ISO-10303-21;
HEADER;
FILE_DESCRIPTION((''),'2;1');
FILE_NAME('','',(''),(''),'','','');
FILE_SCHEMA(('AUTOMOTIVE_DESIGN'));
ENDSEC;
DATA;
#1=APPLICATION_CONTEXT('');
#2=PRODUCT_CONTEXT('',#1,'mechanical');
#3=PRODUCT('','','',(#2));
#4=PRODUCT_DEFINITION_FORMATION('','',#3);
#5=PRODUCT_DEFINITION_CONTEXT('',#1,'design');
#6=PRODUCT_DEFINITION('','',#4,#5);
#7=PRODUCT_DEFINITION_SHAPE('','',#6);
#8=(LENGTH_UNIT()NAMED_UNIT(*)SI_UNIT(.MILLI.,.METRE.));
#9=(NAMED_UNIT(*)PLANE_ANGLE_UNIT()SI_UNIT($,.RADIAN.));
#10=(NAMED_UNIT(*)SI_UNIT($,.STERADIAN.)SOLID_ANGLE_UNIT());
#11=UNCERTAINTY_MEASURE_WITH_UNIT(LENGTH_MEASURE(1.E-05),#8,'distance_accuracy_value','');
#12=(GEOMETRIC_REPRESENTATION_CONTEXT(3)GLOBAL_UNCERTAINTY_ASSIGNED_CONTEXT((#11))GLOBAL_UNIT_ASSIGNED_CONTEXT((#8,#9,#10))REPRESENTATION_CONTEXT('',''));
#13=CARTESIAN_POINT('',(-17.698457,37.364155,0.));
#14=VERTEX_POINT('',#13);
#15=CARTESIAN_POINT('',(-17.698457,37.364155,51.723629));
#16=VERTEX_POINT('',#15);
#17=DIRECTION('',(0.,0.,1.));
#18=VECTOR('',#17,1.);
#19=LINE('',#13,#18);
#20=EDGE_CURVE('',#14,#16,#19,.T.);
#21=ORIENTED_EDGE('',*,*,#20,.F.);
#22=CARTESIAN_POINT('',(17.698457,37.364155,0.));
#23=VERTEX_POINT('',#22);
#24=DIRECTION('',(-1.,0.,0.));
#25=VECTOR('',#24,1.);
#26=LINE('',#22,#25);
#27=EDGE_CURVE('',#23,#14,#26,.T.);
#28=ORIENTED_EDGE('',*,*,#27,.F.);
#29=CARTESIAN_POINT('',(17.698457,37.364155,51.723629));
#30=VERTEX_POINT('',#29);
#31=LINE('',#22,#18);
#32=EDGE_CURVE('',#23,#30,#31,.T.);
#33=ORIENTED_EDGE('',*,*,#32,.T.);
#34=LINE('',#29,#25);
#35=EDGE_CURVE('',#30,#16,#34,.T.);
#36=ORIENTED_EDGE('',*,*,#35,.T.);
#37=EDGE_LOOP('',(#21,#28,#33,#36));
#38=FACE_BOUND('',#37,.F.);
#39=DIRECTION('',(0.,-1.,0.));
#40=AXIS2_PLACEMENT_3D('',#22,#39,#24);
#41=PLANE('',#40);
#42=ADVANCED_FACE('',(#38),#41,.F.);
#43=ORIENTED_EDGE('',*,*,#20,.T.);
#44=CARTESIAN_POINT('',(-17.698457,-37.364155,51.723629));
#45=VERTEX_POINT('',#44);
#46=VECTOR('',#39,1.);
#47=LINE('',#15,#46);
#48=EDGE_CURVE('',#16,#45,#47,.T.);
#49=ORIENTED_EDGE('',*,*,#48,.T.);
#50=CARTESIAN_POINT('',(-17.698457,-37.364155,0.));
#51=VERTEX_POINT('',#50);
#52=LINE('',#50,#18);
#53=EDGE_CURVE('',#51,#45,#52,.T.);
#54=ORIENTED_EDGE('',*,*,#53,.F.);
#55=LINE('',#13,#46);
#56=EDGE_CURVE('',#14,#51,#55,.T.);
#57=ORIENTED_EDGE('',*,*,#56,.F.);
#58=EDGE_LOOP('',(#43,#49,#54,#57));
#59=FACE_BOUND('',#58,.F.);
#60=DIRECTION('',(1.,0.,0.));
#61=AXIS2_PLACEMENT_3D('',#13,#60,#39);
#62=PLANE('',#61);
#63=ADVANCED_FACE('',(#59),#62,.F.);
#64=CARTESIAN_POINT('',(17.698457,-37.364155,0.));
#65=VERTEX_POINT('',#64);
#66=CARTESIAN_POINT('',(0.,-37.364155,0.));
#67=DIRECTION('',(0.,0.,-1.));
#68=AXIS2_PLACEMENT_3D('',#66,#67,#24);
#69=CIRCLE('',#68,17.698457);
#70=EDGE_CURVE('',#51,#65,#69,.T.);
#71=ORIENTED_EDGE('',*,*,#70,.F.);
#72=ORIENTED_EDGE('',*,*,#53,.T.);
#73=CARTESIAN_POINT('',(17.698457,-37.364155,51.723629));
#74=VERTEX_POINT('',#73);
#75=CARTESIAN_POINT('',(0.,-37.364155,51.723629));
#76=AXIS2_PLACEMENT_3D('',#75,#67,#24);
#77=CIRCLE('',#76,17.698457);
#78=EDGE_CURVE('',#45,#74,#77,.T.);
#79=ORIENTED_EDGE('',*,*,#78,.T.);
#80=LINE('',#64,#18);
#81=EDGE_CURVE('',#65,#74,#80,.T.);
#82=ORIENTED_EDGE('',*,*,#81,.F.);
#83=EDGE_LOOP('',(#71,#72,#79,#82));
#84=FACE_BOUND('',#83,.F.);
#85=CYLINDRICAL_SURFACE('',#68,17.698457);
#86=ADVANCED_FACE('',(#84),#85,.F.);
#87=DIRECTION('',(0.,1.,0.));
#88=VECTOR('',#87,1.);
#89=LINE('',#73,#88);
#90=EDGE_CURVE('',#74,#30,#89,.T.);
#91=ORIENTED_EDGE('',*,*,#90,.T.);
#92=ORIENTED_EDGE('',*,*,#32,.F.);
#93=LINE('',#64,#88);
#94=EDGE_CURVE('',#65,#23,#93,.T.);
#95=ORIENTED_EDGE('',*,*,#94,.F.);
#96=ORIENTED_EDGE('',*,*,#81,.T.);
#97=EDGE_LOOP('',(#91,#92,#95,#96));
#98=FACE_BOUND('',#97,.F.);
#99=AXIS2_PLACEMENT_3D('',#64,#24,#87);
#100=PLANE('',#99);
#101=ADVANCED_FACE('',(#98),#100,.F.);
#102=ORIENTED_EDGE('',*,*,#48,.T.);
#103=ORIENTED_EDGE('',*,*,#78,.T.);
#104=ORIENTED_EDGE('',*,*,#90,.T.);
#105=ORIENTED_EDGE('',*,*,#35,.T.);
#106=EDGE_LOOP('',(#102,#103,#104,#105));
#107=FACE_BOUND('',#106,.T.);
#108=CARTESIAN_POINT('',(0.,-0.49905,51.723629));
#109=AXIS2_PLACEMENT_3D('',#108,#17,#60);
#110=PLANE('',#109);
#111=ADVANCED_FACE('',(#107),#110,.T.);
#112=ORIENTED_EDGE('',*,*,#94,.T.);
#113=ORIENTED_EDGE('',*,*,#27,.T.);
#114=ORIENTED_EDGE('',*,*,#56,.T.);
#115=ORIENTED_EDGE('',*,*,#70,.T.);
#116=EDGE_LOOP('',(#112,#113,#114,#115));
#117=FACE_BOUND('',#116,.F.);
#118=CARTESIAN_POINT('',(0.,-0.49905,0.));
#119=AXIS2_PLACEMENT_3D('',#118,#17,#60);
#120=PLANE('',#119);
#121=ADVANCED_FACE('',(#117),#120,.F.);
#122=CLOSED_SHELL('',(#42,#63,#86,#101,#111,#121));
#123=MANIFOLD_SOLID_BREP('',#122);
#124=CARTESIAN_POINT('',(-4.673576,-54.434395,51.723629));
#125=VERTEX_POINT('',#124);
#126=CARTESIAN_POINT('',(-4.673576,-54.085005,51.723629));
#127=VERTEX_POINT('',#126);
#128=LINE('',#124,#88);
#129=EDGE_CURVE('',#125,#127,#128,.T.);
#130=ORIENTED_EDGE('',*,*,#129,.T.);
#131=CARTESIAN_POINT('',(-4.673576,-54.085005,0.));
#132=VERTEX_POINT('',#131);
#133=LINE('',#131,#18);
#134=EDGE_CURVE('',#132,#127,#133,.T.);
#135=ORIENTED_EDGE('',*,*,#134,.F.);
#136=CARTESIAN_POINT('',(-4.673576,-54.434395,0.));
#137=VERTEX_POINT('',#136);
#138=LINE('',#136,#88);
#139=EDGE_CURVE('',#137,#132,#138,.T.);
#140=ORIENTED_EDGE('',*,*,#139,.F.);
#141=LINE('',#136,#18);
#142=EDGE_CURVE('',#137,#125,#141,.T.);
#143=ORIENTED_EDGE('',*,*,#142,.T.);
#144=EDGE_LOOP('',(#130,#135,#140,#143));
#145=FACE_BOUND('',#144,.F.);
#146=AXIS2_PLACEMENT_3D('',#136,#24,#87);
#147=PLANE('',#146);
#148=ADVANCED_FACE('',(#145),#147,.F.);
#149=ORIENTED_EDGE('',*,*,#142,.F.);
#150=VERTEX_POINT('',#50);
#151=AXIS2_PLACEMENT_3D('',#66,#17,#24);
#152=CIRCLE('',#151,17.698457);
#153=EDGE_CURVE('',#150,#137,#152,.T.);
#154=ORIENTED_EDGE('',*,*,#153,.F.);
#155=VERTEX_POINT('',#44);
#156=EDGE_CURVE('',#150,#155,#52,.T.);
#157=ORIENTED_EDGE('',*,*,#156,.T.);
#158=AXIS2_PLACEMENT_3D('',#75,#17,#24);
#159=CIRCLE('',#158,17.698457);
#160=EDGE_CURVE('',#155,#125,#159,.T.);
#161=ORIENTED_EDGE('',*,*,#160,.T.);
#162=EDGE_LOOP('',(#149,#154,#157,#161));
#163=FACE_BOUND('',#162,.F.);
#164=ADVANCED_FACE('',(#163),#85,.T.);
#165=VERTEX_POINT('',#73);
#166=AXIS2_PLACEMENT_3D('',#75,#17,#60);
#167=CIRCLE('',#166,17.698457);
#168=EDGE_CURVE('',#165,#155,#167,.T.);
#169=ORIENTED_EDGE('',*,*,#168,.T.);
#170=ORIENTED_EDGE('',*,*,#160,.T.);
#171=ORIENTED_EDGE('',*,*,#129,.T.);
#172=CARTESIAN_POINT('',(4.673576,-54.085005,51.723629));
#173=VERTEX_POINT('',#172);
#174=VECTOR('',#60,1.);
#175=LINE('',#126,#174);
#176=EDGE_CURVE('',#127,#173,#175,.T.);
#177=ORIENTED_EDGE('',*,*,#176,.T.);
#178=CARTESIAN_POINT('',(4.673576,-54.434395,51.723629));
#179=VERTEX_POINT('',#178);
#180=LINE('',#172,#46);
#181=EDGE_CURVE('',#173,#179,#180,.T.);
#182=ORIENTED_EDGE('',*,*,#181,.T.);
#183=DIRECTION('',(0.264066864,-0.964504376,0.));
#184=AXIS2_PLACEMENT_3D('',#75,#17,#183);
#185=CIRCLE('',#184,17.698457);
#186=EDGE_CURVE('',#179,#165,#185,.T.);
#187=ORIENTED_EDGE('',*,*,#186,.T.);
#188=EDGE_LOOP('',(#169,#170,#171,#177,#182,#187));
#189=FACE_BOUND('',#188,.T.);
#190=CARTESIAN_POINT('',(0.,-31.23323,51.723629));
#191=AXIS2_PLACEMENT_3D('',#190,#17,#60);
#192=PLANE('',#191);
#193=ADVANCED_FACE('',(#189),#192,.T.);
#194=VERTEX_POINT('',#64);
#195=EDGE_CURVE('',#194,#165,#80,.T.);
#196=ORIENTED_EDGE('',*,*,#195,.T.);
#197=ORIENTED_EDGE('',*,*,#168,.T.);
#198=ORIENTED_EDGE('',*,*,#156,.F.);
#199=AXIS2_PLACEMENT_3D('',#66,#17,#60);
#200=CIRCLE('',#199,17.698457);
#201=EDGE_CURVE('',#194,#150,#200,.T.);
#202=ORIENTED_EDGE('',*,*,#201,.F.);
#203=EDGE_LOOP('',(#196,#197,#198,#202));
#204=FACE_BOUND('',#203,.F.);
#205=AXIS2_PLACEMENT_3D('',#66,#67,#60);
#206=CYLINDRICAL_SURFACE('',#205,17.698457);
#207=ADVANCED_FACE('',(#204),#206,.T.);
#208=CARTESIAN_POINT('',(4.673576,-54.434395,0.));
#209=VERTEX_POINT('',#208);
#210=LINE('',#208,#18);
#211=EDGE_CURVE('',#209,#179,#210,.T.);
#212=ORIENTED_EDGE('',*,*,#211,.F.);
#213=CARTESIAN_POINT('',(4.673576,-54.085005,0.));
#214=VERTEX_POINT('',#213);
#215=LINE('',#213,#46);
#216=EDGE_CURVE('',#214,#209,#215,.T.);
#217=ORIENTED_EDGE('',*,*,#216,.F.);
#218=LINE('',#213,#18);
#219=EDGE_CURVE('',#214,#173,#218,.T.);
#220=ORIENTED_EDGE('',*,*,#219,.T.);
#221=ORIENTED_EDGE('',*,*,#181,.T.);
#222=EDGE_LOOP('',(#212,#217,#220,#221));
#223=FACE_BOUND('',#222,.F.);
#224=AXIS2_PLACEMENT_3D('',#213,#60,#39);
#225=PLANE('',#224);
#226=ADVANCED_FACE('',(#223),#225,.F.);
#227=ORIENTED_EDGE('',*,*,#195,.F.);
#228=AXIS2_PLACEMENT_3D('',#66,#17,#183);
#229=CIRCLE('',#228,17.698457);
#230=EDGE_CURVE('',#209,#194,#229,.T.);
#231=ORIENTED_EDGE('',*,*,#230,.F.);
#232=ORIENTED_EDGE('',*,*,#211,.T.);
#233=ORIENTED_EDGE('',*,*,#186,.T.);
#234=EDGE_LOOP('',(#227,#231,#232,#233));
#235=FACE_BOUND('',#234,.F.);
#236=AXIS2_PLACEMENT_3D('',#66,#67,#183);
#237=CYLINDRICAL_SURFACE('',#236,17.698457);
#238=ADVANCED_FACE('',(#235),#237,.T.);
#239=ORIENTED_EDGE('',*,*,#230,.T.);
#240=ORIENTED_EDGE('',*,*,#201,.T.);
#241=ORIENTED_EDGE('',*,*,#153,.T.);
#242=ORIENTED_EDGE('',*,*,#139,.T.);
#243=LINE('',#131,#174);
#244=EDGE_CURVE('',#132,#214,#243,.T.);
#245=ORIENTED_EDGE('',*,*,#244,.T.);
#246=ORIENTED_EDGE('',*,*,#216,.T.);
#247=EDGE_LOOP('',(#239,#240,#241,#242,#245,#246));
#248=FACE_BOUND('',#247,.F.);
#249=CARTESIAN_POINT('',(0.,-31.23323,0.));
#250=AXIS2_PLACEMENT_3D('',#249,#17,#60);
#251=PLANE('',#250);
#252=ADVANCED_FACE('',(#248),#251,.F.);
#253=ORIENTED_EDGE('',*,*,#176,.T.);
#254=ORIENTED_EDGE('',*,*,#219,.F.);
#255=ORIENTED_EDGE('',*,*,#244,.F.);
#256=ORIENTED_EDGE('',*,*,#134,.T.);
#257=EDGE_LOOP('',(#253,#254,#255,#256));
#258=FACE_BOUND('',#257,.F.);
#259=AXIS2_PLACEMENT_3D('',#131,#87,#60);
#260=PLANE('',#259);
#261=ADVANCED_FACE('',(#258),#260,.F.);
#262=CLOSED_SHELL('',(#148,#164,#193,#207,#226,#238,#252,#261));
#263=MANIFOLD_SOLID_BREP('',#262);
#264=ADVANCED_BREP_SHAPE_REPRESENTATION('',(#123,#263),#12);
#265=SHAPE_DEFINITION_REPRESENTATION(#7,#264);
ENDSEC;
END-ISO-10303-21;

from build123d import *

# Parameters (mm, degrees)
F2_DEPTH = 51.7236292362


with BuildPart() as f2:
    # F0 (on Top) → F2 (new body)
    with BuildSketch(Plane.XY):
        with BuildLine():
            Line((-17.6984570841, -37.3641554262), (17.6984570841, -37.3641554262))
            ThreePointArc((17.6984570841, -37.3641554262), (0, -19.665698342), (-17.6984570841, -37.3641554262))
        make_face()
        with BuildLine():
            ThreePointArc((4.6735760674, -54.4343947303), (14.0703672414, -48.1000833716), (17.6984570841, -37.3641554262))
            Line((17.6984570841, -37.3641554262), (-17.6984570841, -37.3641554262))
            ThreePointArc((-17.6984570841, -37.3641554262), (-14.0703672414, -48.1000833716), (-4.6735760674, -54.4343947303))
            Line((-4.6735760674, -54.4343947303), (-4.6735760674, -54.0850054095))
            Line((-4.6735760674, -54.0850054095), (4.6735760674, -54.0850054095))
            Line((4.6735760674, -54.0850054095), (4.6735760674, -54.4343947303))
        make_face()
    extrude(amount=F2_DEPTH)


with BuildPart() as f2b:
    # F1 (on face) → F2, piece 2 (new body)
    with BuildSketch(Plane.XY):
        with BuildLine():
            ThreePointArc((-17.6984570841, -37.3641554262), (0, -19.665698342), (17.6984570841, -37.3641554262))
            Line((17.6984570841, -37.3641554262), (17.6984570841, 37.3641554262))
            Line((17.6984570841, 37.3641554262), (-17.6984570841, 37.3641554262))
            Line((-17.6984570841, 37.3641554262), (-17.6984570841, -37.3641554262))
        make_face()
    extrude(amount=F2_DEPTH)


solid = Compound([f2.part, f2b.part])
